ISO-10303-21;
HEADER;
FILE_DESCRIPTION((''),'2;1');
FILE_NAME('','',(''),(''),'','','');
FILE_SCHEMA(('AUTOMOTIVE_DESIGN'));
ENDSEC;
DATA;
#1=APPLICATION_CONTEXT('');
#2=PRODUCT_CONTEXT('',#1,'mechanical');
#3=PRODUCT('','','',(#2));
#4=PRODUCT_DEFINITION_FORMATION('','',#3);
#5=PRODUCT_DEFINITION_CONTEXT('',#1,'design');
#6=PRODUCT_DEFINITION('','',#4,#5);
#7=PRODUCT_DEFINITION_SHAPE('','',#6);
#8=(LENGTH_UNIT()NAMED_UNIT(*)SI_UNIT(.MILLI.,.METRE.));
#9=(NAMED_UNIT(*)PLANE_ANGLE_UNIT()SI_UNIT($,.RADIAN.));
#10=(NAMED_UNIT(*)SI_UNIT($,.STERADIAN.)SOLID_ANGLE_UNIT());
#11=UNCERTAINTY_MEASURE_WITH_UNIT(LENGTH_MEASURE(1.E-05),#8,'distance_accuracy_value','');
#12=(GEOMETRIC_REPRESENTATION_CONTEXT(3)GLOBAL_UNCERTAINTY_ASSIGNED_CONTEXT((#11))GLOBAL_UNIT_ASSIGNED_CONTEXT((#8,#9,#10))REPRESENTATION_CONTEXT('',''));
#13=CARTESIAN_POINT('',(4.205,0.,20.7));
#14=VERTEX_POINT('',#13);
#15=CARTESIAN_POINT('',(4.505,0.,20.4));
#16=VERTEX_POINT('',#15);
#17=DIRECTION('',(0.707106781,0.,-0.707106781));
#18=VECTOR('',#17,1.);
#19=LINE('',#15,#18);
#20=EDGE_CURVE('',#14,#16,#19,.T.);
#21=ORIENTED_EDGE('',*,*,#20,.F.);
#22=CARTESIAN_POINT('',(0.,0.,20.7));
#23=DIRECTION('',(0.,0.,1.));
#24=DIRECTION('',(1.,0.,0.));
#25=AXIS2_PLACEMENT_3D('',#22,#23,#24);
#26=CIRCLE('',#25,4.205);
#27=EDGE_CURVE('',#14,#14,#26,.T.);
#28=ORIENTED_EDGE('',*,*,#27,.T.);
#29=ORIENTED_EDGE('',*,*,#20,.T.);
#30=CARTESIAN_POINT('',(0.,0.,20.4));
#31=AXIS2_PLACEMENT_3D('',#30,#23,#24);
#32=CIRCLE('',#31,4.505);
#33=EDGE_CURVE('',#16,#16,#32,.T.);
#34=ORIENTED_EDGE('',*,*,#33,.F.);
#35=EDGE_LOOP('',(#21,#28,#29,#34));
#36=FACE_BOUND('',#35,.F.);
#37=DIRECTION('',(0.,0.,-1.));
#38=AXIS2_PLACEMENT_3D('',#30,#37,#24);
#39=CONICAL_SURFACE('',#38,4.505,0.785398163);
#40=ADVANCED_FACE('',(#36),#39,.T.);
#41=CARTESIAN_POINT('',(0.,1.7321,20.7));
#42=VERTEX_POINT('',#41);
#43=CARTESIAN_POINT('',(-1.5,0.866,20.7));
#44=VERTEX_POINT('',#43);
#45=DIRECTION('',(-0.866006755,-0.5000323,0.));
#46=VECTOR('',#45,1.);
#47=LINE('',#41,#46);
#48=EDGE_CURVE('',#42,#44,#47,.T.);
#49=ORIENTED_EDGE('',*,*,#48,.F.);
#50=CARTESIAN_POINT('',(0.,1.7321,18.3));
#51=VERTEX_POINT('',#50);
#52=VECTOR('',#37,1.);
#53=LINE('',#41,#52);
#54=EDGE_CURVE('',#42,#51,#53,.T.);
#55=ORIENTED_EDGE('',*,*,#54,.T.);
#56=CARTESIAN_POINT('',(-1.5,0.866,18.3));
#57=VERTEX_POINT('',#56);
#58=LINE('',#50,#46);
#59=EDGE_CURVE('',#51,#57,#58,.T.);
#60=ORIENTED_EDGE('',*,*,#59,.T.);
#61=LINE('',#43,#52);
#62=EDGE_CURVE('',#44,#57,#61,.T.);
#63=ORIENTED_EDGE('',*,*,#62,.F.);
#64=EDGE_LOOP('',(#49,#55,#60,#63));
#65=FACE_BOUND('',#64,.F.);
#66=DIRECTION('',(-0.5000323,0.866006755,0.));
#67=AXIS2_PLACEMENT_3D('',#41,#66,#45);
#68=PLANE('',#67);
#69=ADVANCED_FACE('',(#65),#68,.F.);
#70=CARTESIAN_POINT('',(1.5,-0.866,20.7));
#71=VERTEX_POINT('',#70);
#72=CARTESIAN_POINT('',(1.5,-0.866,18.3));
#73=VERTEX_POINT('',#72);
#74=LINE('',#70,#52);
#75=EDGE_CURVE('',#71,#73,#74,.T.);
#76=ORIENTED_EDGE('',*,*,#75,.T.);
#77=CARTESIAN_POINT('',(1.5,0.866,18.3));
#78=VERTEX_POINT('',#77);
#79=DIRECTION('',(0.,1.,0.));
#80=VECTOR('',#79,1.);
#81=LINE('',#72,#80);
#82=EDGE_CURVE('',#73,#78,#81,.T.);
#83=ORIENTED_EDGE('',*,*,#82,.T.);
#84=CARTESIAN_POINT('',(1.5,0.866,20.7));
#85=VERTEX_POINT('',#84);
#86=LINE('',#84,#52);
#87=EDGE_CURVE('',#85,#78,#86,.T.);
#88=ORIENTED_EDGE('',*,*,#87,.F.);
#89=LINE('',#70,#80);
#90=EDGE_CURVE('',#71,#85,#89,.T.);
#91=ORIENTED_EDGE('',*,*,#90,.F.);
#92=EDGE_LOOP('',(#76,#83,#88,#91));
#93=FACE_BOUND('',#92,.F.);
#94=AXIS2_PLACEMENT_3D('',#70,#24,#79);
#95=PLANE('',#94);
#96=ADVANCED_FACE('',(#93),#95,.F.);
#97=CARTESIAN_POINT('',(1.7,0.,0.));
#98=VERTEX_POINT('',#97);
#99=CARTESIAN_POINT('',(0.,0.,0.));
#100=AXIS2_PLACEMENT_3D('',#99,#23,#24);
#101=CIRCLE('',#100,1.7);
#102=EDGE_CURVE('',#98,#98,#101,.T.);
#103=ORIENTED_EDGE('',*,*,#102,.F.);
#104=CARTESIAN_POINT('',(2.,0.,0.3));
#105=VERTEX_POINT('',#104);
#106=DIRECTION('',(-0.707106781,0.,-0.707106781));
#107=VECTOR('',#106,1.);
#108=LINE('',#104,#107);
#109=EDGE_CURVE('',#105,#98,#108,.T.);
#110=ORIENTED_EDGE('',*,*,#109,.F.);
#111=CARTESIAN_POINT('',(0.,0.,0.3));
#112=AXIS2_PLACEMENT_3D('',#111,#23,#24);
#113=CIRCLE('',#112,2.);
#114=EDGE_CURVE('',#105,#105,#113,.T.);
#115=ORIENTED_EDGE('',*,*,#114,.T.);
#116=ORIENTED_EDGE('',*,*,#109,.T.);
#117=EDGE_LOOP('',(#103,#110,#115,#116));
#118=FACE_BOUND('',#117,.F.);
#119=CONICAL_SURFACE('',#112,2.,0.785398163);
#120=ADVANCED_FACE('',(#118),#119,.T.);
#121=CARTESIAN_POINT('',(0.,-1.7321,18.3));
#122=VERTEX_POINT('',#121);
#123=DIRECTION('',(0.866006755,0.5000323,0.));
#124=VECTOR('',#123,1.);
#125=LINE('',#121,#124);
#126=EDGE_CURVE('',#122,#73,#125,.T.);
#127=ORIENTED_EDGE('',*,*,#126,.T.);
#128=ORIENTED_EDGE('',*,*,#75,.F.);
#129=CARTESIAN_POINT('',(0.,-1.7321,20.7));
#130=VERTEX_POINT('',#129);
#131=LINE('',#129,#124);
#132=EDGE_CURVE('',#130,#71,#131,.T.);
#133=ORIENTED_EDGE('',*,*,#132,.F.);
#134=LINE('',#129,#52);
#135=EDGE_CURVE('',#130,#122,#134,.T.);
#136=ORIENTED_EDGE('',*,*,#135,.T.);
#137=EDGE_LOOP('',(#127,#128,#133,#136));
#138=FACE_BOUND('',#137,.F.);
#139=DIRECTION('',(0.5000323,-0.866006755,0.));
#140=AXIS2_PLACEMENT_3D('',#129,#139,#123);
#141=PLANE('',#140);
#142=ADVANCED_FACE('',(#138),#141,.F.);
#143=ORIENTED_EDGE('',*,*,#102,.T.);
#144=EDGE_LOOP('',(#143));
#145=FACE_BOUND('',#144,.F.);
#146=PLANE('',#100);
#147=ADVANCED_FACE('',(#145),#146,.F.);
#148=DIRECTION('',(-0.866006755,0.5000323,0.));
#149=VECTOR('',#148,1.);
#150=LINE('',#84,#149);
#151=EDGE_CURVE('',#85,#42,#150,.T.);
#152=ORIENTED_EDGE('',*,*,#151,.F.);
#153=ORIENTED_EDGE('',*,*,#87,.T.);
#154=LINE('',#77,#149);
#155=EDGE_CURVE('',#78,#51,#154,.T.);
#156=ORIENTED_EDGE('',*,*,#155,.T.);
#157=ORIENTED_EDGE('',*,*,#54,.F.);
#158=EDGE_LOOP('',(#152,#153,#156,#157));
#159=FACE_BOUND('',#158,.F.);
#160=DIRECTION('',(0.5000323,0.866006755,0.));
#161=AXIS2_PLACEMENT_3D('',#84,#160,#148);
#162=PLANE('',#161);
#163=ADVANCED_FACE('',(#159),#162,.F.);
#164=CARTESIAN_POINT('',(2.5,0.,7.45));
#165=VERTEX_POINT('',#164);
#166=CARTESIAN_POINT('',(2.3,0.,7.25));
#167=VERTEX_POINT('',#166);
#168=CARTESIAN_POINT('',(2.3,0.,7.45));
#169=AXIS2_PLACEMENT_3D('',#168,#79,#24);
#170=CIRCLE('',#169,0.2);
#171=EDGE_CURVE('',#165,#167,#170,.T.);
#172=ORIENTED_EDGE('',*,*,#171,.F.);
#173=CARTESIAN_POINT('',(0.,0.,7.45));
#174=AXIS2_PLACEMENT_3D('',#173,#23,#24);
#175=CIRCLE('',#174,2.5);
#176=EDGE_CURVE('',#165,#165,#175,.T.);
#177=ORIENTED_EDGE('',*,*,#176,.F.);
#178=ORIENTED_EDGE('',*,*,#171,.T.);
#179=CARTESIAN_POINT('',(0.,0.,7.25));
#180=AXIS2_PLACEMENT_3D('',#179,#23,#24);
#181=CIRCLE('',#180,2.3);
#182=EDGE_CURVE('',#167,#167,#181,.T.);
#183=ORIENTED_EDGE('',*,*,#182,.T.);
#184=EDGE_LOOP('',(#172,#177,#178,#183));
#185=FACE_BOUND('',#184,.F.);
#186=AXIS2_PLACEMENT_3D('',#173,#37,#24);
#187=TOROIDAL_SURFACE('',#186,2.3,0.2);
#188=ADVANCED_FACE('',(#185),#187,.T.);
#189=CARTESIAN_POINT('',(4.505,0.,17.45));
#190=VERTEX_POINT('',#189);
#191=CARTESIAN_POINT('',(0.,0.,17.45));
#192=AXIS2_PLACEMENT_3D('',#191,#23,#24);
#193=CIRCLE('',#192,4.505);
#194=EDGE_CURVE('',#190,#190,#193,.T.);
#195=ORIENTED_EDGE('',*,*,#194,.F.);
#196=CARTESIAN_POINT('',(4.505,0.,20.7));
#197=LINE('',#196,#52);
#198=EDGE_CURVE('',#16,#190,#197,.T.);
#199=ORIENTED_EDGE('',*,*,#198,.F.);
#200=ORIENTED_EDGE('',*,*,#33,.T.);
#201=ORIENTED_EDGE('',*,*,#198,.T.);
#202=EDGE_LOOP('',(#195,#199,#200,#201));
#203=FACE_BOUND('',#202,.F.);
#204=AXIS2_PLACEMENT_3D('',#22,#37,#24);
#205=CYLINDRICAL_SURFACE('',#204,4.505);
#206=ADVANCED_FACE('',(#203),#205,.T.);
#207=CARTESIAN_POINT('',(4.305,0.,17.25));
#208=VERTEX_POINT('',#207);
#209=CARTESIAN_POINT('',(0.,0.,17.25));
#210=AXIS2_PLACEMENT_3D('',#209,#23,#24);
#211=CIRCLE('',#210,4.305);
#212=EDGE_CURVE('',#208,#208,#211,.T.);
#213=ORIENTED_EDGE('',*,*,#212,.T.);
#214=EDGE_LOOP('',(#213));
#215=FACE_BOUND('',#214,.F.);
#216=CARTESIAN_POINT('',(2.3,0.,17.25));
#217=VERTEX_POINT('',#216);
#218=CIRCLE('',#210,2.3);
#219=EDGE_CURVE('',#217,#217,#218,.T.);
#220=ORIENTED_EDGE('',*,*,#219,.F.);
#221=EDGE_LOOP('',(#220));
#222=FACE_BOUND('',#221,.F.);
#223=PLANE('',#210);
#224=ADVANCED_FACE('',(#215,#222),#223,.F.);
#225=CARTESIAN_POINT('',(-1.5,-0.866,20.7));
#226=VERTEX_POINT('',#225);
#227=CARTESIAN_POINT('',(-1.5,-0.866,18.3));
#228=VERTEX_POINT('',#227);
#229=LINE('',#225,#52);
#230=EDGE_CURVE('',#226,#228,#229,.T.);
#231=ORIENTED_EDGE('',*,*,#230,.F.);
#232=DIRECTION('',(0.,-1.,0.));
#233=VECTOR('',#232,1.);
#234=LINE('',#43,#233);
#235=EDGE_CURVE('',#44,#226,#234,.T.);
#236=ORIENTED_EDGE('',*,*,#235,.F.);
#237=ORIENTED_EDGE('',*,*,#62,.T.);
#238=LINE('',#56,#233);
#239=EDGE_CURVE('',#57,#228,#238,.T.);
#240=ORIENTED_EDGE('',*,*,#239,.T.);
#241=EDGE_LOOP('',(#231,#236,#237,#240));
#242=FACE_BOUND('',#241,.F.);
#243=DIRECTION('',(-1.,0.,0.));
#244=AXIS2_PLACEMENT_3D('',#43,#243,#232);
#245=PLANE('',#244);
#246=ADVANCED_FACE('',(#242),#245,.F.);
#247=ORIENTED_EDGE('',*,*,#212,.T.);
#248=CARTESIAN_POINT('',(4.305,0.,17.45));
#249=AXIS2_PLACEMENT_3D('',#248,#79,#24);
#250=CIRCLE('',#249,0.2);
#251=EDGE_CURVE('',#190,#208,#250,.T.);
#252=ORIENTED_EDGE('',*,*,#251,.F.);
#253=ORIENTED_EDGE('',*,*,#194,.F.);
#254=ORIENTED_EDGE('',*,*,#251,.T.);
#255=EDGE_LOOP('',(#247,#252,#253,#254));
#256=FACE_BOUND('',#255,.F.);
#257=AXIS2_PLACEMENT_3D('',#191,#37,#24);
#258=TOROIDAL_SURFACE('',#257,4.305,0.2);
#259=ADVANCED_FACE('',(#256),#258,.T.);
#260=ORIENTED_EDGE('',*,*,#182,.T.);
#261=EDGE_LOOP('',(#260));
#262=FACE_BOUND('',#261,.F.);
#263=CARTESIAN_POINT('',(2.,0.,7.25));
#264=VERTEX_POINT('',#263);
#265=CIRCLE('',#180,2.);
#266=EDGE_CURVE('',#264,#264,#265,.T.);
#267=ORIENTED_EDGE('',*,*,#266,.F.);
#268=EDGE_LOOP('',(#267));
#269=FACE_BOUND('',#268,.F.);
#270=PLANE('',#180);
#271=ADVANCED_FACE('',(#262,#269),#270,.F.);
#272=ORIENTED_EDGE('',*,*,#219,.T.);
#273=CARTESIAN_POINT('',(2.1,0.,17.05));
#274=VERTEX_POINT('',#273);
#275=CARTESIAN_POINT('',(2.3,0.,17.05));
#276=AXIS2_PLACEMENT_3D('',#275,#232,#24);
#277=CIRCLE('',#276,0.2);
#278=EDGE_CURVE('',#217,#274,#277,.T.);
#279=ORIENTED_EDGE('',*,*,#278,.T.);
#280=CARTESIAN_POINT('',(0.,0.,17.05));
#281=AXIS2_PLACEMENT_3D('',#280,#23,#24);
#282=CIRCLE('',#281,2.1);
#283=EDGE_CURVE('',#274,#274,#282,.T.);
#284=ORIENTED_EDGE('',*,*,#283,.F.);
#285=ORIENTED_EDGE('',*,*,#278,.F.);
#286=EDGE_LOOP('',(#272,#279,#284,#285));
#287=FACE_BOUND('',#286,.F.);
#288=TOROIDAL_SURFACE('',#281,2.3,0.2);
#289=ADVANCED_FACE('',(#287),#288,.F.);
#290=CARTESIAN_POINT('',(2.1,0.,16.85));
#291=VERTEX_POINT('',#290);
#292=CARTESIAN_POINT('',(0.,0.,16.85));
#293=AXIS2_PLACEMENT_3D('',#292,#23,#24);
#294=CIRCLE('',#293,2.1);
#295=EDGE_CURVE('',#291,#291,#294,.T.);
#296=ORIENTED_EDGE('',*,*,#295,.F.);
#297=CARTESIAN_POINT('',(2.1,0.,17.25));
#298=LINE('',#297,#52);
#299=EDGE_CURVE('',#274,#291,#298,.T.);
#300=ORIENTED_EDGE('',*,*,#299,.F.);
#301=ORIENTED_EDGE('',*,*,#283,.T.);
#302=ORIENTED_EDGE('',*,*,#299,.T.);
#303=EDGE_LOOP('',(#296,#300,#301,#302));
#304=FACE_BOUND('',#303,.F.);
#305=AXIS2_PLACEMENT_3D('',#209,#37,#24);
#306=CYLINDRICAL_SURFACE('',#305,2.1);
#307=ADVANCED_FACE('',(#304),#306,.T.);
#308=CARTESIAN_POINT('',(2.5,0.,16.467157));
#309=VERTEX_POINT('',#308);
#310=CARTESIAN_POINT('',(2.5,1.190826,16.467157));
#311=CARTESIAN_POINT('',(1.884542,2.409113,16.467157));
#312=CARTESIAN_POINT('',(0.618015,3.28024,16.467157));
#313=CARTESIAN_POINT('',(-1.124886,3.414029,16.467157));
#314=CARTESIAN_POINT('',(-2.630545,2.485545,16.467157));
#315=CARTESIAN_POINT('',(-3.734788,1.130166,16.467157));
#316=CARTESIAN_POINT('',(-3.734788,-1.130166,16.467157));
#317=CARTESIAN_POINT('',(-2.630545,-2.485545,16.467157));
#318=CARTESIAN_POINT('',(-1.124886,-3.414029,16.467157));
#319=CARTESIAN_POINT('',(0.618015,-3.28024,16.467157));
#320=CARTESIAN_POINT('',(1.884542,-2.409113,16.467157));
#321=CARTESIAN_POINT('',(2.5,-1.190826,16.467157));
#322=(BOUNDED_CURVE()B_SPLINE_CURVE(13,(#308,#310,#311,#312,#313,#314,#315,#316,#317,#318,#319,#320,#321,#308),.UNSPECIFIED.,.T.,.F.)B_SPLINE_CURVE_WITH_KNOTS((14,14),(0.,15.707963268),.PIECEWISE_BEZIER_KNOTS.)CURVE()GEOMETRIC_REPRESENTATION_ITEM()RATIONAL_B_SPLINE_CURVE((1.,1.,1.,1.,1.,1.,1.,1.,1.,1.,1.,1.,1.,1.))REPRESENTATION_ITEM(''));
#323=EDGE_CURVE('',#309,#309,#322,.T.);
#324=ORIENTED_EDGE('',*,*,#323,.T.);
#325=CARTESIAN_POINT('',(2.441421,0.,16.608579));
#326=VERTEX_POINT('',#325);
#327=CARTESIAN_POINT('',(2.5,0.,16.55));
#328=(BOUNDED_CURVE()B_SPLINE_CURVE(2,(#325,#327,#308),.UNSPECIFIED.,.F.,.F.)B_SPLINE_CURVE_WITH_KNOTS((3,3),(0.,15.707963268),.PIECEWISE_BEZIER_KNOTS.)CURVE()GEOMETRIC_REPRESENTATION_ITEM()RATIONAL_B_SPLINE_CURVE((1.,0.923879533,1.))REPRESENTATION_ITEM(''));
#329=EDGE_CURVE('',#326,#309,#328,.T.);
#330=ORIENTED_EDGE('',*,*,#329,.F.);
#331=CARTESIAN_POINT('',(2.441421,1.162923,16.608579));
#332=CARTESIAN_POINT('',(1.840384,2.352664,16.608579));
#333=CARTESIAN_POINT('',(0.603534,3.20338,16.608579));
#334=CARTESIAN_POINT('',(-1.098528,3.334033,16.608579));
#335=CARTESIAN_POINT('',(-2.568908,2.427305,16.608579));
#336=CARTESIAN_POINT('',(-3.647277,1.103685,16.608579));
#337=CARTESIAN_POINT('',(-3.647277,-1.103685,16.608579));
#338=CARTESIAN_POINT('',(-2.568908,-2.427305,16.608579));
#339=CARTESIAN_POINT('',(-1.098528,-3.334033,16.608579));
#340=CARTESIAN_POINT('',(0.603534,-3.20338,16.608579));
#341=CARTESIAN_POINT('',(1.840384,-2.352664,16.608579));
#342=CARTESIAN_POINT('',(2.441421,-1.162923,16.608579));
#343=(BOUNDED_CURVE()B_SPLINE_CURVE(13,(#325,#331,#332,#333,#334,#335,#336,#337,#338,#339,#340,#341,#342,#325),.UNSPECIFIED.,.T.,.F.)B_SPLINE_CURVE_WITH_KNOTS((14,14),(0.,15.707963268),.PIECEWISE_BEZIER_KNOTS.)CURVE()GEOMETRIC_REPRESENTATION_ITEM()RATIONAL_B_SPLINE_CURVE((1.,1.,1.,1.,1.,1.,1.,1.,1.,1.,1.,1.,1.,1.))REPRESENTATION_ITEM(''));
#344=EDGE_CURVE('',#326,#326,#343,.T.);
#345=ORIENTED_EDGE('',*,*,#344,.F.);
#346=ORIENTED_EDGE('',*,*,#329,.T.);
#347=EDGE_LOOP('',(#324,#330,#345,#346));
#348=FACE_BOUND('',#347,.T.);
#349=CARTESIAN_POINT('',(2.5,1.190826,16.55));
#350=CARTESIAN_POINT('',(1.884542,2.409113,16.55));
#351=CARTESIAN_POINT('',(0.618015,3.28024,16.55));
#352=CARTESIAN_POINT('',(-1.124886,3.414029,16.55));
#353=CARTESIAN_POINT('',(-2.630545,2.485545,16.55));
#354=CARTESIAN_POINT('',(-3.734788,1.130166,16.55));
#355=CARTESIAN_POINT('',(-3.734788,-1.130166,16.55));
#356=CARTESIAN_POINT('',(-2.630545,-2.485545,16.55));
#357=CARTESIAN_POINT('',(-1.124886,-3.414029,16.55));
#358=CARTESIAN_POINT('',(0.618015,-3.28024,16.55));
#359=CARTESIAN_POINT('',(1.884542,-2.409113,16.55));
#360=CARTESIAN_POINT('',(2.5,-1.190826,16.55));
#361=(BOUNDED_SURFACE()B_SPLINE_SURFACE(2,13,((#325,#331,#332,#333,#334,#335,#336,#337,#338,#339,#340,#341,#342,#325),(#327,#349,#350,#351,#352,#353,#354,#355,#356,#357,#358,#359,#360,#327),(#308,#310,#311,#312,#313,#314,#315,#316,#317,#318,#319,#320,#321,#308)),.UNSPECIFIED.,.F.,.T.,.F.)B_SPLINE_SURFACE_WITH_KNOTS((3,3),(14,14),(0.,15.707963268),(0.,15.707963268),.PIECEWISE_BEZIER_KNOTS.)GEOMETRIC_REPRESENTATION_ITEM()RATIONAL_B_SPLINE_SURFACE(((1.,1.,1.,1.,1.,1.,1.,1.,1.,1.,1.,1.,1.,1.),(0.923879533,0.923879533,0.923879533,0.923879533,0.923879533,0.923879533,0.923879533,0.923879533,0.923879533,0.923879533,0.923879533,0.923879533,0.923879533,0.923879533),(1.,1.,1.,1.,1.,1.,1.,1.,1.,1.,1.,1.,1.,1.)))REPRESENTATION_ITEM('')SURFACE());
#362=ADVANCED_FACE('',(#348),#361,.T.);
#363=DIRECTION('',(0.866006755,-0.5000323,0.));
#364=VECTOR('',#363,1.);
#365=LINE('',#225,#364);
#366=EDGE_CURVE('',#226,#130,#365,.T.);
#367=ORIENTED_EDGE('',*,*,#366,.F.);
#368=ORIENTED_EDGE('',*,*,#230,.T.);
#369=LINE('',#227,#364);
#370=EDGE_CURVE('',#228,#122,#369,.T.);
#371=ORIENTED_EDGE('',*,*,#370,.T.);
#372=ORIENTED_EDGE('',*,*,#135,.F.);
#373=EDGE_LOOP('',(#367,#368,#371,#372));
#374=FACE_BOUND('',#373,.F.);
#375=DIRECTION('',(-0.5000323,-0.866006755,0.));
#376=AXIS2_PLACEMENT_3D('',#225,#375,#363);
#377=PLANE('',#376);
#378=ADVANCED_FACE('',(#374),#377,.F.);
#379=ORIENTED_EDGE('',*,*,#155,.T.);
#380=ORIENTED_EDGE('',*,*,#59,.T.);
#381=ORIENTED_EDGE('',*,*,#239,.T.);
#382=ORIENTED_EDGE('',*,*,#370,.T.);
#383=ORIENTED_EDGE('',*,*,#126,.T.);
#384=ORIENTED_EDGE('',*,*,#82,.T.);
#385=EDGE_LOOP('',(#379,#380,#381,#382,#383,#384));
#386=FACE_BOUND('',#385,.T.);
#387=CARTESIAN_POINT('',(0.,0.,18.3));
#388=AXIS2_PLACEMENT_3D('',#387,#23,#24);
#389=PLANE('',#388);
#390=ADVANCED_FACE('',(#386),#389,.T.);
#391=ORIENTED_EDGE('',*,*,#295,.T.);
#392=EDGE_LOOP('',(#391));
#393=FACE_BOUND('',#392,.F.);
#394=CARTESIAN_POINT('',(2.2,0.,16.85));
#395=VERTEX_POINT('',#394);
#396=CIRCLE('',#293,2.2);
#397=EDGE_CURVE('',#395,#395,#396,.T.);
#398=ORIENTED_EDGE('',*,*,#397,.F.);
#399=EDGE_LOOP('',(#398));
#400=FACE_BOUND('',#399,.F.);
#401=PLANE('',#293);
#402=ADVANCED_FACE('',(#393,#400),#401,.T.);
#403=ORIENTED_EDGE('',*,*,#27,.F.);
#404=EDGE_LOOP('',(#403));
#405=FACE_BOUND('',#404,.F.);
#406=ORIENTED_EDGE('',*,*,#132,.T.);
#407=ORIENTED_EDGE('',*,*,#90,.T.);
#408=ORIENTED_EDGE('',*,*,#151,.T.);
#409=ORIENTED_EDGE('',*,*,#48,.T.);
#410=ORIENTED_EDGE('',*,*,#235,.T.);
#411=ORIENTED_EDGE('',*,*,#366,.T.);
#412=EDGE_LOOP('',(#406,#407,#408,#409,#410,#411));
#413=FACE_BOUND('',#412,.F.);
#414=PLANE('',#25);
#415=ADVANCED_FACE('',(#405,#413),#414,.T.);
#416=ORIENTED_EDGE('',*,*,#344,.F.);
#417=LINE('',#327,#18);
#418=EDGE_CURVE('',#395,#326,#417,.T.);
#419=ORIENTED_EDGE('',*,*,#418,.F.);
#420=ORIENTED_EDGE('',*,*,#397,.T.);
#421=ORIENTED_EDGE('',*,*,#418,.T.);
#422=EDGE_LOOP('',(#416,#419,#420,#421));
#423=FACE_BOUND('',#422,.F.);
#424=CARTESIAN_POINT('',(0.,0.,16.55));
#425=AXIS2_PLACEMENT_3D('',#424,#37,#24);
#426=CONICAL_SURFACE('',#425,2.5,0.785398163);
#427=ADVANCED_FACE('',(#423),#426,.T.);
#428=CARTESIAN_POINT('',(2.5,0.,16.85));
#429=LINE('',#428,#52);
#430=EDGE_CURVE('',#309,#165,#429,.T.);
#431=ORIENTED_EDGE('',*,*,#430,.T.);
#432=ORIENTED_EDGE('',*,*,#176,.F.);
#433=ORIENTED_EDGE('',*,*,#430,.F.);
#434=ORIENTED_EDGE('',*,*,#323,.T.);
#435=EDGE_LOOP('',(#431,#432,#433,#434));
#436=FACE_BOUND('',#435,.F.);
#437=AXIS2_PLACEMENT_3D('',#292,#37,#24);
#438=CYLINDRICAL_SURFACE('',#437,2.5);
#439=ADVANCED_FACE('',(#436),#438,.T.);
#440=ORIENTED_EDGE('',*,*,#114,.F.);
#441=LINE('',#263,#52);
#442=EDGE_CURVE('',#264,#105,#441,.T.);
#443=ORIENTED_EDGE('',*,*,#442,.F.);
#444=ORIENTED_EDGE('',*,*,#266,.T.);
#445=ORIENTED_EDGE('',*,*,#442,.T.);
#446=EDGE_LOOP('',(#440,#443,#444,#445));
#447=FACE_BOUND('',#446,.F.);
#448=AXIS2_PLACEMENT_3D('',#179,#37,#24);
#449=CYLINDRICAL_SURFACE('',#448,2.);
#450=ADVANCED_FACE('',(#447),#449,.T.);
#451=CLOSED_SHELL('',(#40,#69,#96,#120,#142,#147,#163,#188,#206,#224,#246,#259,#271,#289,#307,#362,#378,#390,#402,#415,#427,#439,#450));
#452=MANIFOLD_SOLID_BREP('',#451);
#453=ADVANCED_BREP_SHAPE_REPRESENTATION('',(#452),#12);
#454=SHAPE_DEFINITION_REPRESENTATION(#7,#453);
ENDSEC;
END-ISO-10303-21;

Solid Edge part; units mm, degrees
sketch "Sketch1" plane through (0, 0, 0) normal (0, -1, 0) x (1, 0, 0)
  line L0 (0, 20.7) -> (4.505, 20.7)
  line L1 (4.505, 20.7) -> (4.505, 17.25)
  line L2 (4.505, 17.25) -> (2.1, 17.25)
  line L3 (2.1, 17.25) -> (2.1, 16.85)
  line L4 (2.1, 16.85) -> (2.5, 16.85)
  line L5 (2.5, 16.85) -> (2.5, 7.25)
  line L6 (2.5, 7.25) -> (2, 7.25)
  line L7 (2, 7.25) -> (2, 0)
  line L8 (2, 0) -> (0, 0)
  dimension "D1" = 4.505
  dimension "D2" = 3.45
  dimension "D3" = 10
  dimension "D4" = 0.4
  dimension "D5" = 7.25
  dimension "D6" = 2.5
  dimension "D7" = 2
revolve "RevolvedProtrusion1" add sketch "Sketch1" angle 360 about axis through (0, 0, 0) along (0, 0, 1)
chamfer "Chamfer1" distance 0.3 angle 45 3 edges at (-2.5, 0, 16.85) (-4.505, 0, 20.7) (-2, 0, 0)
fillet "Round_1" radius 0.2 4 edges at (-4.505, 0, 17.25) (-2.1, 0, 17.25) (-2.5, 0, 7.25) (-2.5, 0, 16.55)
sketch "Sketch2" plane through (0, 0, 20.7) normal (0, 0, 1) x (1, 0, 0)
  line L0 (1.5, 0.866) -> (0, 1.7321)
  line L1 (0, 1.7321) -> (-1.5, 0.866)
  line L2 (-1.5, 0.866) -> (-1.5, -0.866)
  line L3 (-1.5, -0.866) -> (0, -1.7321)
  line L4 (0, -1.7321) -> (1.5, -0.866)
  line L5 (1.5, -0.866) -> (1.5, 0.866)
  dimension "D1" = 3
extrude "ExtrudedCutout_1" cut sketch "Sketch2" against normal blind 2.4
